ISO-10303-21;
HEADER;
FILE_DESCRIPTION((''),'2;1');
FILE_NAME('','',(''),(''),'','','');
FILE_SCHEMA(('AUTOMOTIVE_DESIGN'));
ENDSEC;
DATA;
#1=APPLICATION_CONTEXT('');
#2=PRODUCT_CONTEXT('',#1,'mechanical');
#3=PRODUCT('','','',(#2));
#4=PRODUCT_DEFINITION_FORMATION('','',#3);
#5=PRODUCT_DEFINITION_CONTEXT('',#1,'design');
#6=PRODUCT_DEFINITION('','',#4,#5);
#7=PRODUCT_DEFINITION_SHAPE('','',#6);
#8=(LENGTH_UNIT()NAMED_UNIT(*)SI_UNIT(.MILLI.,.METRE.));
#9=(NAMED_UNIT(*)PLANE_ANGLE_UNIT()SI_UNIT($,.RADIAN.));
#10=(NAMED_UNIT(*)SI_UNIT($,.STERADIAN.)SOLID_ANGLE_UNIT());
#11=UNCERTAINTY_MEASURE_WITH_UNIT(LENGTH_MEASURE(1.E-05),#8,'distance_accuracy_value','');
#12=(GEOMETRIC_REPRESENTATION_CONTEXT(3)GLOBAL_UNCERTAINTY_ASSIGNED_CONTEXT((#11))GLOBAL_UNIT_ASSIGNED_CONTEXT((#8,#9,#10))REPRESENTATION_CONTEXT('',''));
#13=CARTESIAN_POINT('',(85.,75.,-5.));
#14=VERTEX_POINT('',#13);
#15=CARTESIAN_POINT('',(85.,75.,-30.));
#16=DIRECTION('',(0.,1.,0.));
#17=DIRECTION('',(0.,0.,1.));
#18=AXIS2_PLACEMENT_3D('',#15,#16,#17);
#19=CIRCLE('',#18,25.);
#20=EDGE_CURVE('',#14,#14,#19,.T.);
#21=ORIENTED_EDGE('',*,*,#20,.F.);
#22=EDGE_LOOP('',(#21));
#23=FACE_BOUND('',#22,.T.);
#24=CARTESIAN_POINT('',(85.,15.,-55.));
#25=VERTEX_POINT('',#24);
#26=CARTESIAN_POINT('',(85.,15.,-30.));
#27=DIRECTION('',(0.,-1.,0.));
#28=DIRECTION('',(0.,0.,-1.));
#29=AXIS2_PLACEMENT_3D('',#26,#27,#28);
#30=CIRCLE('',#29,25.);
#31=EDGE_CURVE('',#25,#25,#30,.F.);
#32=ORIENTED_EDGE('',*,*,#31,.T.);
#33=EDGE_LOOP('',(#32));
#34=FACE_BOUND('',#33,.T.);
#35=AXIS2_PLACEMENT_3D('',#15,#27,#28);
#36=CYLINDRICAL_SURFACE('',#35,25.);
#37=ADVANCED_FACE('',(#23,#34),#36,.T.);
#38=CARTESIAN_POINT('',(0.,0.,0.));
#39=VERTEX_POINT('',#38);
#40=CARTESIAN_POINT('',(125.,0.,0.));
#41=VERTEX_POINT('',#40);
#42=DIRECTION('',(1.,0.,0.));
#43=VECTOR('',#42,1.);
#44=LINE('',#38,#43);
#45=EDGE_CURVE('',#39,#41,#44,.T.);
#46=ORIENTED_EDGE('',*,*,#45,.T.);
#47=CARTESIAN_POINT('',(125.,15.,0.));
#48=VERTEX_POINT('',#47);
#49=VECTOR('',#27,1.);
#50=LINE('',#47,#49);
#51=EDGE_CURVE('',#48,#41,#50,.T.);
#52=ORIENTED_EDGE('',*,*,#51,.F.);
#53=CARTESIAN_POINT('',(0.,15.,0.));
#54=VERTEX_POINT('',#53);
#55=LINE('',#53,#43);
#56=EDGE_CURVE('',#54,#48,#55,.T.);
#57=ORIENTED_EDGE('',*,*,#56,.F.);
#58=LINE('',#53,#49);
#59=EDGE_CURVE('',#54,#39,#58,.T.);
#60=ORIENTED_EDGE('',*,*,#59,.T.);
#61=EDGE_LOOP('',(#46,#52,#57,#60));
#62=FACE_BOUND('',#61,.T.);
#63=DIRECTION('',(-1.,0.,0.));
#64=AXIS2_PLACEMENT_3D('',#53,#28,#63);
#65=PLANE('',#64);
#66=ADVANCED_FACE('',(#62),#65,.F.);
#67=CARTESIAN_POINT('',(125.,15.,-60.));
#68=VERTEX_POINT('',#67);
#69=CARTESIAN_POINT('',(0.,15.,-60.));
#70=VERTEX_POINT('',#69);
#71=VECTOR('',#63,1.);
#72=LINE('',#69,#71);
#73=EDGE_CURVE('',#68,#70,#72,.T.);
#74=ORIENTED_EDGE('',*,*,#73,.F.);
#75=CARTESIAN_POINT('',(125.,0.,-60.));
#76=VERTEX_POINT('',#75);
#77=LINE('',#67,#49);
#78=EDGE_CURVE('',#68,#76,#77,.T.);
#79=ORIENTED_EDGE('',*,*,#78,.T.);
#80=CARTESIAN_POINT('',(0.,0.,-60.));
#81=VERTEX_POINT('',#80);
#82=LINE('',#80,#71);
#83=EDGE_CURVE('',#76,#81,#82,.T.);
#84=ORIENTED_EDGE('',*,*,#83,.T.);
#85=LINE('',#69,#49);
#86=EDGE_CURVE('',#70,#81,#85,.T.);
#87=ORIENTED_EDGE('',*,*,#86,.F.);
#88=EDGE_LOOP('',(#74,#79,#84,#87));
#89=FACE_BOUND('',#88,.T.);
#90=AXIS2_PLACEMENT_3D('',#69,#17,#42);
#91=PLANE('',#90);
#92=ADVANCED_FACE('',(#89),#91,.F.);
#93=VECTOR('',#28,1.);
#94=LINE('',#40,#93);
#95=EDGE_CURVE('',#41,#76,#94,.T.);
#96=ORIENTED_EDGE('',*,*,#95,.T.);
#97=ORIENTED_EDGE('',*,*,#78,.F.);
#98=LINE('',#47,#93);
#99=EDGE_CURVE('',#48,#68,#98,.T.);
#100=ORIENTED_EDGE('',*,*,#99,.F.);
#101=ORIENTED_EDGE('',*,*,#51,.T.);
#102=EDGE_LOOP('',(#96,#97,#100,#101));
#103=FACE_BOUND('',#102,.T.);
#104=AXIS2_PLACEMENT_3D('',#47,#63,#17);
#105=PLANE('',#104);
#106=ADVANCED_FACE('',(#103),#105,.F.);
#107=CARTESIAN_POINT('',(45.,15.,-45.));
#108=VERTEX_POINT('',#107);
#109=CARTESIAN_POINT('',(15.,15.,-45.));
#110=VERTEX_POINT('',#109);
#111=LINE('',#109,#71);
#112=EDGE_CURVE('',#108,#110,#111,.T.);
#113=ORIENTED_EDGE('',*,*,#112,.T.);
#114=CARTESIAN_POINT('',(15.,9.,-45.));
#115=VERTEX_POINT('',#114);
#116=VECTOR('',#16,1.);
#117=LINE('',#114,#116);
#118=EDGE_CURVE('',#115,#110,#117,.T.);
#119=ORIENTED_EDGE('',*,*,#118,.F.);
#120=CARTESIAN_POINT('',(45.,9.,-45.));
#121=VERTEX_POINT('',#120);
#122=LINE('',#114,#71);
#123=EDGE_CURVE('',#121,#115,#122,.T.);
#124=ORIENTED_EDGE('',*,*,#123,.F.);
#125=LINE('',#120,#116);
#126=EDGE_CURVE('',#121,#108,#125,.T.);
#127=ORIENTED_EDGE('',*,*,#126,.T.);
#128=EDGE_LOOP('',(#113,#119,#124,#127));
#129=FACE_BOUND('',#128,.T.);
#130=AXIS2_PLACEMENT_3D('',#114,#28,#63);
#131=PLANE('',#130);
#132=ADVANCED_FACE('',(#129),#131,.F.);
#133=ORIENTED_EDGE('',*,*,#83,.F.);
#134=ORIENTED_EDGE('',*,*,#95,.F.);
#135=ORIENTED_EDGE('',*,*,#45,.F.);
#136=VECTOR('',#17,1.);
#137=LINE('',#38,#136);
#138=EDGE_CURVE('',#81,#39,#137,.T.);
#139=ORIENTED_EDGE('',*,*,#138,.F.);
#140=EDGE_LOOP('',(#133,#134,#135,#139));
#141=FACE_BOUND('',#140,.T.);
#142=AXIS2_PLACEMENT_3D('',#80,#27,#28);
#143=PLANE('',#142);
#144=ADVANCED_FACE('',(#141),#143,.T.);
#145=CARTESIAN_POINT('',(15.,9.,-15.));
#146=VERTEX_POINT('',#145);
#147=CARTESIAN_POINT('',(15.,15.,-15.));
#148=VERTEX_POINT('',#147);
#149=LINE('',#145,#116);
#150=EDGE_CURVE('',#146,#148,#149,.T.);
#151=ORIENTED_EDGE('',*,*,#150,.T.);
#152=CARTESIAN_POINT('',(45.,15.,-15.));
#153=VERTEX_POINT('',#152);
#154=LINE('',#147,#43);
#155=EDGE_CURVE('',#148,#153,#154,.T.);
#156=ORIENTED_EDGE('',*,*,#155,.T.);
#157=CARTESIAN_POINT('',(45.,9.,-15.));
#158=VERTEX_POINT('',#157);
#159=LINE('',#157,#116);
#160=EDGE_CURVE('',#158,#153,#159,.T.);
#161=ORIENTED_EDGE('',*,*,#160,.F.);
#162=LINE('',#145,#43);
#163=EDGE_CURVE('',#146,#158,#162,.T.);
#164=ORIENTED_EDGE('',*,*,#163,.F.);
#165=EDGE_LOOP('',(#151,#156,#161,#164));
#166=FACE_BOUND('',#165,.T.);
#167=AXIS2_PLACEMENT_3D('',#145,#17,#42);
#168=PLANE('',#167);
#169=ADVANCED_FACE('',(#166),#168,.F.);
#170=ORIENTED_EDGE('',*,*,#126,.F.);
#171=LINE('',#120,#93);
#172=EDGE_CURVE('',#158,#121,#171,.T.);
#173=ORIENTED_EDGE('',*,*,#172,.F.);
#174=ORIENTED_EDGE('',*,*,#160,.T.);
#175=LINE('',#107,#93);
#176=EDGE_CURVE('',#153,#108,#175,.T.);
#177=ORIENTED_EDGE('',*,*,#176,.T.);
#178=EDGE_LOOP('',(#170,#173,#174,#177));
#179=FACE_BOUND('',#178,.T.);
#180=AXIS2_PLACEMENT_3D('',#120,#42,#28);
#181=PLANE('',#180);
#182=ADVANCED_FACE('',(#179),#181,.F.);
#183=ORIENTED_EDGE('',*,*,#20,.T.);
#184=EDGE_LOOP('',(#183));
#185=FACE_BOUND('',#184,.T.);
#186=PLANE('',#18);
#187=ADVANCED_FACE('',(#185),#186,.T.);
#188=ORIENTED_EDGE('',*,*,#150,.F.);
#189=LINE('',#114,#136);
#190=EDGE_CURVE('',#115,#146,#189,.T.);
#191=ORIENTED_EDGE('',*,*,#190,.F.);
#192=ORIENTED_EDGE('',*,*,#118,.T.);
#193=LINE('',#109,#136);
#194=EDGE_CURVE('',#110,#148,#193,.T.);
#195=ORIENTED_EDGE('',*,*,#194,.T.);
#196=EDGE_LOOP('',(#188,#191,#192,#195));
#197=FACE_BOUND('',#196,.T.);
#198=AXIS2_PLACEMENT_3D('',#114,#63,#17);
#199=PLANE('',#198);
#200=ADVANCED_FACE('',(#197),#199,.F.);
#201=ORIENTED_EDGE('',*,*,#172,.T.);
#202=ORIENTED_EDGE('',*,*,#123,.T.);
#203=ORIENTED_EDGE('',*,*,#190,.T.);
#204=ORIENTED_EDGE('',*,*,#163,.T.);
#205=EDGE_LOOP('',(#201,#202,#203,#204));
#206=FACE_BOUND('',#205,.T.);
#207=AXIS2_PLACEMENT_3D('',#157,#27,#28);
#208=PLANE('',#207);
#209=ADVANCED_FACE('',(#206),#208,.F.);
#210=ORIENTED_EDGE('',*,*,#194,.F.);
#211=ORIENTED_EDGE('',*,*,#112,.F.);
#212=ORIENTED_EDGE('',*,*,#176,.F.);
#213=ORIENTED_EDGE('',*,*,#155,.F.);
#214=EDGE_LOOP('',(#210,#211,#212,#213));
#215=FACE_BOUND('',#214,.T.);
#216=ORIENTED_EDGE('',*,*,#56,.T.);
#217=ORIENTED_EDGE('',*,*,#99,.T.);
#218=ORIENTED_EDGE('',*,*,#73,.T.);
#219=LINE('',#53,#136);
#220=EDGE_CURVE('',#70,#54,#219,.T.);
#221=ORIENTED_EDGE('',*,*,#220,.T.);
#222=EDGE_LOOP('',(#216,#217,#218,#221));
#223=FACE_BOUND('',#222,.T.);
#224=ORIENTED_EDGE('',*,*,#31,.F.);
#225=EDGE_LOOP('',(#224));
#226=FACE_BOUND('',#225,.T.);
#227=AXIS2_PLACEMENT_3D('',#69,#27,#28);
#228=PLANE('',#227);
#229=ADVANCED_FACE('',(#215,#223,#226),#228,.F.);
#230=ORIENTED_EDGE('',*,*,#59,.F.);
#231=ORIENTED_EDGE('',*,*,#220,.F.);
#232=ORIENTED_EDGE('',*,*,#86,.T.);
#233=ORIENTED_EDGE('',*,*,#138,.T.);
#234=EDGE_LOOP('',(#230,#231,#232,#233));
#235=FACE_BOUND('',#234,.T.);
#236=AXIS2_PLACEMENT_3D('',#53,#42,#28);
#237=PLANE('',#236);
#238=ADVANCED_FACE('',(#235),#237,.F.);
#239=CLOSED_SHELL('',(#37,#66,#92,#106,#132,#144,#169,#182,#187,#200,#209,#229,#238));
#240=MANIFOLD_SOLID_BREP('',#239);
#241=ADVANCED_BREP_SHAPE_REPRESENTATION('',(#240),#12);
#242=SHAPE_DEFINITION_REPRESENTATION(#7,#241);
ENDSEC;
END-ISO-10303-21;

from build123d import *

# Parameters (mm, degrees)
SKETCH1_W          = 125
SKETCH1_H          = 60
EXTRUDE1_DEPTH     = 15
SKETCH2_R          = 25
EXTRUDE2_DEPTH     = 60
SKETCH3_W          = 30
SKETCH3_H          = 30
CUT_EXTRUDE1_DEPTH = 6


with BuildPart() as part:
    # Sketch1 → Extrude1 (new body)
    with BuildSketch(Plane(origin=(0, 0, 0), x_dir=(1, 0, 0), z_dir=(0, 1, 0))):
        with Locations((62.5, 30)):
            Rectangle(SKETCH1_W, SKETCH1_H)
    extrude(amount=EXTRUDE1_DEPTH)

    # Sketch2 → Extrude2 (add)
    with BuildSketch(Plane(origin=(0, 15, 0), x_dir=(-1, 0, 0), z_dir=(0, 1, 0))):
        with Locations(Location((-85, -30, 0), (0, 0, 270))):  # turned: the seam where the file's is
            Circle(SKETCH2_R)
    extrude(amount=EXTRUDE2_DEPTH)

    # Sketch3 → Cut-Extrude1 (cut)
    with BuildSketch(Plane(origin=(0, 15, 0), x_dir=(-1, 0, 0), z_dir=(0, 1, 0))):
        with Locations((-30, -30)):
            Rectangle(SKETCH3_W, SKETCH3_H)
    extrude(amount=-CUT_EXTRUDE1_DEPTH, mode=Mode.SUBTRACT)


solid = part.part
